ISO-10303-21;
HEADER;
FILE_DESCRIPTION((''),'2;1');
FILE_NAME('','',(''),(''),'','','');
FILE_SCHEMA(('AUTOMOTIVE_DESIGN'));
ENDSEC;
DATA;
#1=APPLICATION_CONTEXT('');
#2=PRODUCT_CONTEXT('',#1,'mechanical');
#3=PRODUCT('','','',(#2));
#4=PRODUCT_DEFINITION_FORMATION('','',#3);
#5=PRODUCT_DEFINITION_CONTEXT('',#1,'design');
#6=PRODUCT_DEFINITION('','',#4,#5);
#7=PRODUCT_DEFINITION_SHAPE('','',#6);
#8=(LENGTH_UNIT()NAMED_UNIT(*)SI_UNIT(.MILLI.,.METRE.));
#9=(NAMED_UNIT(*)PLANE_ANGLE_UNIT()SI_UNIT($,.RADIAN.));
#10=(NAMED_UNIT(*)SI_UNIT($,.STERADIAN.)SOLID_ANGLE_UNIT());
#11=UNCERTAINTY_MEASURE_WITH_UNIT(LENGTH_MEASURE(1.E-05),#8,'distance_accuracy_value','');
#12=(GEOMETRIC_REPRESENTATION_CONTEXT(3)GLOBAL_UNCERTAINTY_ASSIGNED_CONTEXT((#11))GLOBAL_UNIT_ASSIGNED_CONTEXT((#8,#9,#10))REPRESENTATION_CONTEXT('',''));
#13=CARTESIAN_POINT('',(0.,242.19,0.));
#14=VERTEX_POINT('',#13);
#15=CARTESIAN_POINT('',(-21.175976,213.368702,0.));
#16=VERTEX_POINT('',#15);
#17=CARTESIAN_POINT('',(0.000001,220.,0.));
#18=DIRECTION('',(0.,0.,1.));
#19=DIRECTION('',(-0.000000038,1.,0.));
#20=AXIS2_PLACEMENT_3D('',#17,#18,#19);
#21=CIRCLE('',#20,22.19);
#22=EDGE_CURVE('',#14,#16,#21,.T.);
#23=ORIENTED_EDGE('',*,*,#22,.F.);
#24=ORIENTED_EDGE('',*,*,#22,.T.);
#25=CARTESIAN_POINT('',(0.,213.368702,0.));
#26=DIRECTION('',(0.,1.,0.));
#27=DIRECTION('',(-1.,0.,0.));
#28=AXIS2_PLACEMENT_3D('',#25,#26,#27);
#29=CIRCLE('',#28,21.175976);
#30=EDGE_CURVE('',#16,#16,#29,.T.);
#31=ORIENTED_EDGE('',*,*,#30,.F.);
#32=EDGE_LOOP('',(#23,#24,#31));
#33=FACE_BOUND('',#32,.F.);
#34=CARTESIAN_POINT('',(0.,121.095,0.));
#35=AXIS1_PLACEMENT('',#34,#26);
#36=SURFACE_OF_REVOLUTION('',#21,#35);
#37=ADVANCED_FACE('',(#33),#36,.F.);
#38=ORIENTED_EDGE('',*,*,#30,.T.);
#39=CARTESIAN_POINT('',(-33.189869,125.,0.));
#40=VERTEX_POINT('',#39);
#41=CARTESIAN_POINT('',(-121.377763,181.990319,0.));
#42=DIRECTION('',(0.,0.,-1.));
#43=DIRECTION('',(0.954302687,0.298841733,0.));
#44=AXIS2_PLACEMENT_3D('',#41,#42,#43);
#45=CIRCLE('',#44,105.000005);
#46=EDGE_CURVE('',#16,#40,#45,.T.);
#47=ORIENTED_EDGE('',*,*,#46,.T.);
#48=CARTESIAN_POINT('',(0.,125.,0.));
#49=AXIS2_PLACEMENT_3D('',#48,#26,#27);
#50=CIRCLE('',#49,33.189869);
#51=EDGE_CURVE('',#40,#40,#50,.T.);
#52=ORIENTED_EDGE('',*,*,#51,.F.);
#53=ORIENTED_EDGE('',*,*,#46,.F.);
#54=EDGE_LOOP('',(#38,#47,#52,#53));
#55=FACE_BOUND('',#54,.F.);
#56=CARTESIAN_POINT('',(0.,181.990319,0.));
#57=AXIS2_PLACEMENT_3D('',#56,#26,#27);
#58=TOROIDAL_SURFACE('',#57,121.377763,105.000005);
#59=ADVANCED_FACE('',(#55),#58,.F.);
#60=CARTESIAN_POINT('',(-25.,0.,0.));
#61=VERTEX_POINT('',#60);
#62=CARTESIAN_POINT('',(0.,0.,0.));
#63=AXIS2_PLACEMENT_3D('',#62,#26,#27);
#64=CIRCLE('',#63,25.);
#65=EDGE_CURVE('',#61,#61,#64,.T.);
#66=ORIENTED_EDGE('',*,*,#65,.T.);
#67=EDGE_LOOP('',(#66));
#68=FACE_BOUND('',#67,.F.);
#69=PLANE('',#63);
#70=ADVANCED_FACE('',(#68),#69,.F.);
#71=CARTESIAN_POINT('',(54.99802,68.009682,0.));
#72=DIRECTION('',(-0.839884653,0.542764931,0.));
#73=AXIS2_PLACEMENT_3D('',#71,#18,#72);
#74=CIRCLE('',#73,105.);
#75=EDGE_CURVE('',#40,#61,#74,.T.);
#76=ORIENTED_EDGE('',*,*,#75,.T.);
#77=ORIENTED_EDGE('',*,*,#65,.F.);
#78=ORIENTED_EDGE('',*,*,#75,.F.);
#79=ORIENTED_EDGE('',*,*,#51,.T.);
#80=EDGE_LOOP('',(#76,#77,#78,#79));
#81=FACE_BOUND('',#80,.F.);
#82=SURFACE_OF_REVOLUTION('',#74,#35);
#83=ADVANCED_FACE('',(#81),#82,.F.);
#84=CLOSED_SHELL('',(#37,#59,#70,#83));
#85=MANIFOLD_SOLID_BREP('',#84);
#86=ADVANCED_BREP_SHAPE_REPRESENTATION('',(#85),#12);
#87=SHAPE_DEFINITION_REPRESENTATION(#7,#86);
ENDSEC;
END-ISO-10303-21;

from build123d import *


with BuildPart() as f1:
    # F0 (on Top) → F1 (revolve)
    with BuildSketch(Plane.XY):
        with BuildLine():
            Line((0, 0), (0, 242.19))
            ThreePointArc((0, 242.19), (-17.882178, 233.138637), (-21.175976, 213.368702))
            ThreePointArc((-21.175976, 213.368702), (-17.334864, 167.845488), (-33.189869, 125))
            ThreePointArc((-33.189869, 125), (-49.777335, 61.144911), (-25, 0))
            Line((-25, 0), (0, 0))
        make_face()
    revolve(axis=Axis((0, 121.095, 0), (0, 1, 0)))


solid = f1.part
